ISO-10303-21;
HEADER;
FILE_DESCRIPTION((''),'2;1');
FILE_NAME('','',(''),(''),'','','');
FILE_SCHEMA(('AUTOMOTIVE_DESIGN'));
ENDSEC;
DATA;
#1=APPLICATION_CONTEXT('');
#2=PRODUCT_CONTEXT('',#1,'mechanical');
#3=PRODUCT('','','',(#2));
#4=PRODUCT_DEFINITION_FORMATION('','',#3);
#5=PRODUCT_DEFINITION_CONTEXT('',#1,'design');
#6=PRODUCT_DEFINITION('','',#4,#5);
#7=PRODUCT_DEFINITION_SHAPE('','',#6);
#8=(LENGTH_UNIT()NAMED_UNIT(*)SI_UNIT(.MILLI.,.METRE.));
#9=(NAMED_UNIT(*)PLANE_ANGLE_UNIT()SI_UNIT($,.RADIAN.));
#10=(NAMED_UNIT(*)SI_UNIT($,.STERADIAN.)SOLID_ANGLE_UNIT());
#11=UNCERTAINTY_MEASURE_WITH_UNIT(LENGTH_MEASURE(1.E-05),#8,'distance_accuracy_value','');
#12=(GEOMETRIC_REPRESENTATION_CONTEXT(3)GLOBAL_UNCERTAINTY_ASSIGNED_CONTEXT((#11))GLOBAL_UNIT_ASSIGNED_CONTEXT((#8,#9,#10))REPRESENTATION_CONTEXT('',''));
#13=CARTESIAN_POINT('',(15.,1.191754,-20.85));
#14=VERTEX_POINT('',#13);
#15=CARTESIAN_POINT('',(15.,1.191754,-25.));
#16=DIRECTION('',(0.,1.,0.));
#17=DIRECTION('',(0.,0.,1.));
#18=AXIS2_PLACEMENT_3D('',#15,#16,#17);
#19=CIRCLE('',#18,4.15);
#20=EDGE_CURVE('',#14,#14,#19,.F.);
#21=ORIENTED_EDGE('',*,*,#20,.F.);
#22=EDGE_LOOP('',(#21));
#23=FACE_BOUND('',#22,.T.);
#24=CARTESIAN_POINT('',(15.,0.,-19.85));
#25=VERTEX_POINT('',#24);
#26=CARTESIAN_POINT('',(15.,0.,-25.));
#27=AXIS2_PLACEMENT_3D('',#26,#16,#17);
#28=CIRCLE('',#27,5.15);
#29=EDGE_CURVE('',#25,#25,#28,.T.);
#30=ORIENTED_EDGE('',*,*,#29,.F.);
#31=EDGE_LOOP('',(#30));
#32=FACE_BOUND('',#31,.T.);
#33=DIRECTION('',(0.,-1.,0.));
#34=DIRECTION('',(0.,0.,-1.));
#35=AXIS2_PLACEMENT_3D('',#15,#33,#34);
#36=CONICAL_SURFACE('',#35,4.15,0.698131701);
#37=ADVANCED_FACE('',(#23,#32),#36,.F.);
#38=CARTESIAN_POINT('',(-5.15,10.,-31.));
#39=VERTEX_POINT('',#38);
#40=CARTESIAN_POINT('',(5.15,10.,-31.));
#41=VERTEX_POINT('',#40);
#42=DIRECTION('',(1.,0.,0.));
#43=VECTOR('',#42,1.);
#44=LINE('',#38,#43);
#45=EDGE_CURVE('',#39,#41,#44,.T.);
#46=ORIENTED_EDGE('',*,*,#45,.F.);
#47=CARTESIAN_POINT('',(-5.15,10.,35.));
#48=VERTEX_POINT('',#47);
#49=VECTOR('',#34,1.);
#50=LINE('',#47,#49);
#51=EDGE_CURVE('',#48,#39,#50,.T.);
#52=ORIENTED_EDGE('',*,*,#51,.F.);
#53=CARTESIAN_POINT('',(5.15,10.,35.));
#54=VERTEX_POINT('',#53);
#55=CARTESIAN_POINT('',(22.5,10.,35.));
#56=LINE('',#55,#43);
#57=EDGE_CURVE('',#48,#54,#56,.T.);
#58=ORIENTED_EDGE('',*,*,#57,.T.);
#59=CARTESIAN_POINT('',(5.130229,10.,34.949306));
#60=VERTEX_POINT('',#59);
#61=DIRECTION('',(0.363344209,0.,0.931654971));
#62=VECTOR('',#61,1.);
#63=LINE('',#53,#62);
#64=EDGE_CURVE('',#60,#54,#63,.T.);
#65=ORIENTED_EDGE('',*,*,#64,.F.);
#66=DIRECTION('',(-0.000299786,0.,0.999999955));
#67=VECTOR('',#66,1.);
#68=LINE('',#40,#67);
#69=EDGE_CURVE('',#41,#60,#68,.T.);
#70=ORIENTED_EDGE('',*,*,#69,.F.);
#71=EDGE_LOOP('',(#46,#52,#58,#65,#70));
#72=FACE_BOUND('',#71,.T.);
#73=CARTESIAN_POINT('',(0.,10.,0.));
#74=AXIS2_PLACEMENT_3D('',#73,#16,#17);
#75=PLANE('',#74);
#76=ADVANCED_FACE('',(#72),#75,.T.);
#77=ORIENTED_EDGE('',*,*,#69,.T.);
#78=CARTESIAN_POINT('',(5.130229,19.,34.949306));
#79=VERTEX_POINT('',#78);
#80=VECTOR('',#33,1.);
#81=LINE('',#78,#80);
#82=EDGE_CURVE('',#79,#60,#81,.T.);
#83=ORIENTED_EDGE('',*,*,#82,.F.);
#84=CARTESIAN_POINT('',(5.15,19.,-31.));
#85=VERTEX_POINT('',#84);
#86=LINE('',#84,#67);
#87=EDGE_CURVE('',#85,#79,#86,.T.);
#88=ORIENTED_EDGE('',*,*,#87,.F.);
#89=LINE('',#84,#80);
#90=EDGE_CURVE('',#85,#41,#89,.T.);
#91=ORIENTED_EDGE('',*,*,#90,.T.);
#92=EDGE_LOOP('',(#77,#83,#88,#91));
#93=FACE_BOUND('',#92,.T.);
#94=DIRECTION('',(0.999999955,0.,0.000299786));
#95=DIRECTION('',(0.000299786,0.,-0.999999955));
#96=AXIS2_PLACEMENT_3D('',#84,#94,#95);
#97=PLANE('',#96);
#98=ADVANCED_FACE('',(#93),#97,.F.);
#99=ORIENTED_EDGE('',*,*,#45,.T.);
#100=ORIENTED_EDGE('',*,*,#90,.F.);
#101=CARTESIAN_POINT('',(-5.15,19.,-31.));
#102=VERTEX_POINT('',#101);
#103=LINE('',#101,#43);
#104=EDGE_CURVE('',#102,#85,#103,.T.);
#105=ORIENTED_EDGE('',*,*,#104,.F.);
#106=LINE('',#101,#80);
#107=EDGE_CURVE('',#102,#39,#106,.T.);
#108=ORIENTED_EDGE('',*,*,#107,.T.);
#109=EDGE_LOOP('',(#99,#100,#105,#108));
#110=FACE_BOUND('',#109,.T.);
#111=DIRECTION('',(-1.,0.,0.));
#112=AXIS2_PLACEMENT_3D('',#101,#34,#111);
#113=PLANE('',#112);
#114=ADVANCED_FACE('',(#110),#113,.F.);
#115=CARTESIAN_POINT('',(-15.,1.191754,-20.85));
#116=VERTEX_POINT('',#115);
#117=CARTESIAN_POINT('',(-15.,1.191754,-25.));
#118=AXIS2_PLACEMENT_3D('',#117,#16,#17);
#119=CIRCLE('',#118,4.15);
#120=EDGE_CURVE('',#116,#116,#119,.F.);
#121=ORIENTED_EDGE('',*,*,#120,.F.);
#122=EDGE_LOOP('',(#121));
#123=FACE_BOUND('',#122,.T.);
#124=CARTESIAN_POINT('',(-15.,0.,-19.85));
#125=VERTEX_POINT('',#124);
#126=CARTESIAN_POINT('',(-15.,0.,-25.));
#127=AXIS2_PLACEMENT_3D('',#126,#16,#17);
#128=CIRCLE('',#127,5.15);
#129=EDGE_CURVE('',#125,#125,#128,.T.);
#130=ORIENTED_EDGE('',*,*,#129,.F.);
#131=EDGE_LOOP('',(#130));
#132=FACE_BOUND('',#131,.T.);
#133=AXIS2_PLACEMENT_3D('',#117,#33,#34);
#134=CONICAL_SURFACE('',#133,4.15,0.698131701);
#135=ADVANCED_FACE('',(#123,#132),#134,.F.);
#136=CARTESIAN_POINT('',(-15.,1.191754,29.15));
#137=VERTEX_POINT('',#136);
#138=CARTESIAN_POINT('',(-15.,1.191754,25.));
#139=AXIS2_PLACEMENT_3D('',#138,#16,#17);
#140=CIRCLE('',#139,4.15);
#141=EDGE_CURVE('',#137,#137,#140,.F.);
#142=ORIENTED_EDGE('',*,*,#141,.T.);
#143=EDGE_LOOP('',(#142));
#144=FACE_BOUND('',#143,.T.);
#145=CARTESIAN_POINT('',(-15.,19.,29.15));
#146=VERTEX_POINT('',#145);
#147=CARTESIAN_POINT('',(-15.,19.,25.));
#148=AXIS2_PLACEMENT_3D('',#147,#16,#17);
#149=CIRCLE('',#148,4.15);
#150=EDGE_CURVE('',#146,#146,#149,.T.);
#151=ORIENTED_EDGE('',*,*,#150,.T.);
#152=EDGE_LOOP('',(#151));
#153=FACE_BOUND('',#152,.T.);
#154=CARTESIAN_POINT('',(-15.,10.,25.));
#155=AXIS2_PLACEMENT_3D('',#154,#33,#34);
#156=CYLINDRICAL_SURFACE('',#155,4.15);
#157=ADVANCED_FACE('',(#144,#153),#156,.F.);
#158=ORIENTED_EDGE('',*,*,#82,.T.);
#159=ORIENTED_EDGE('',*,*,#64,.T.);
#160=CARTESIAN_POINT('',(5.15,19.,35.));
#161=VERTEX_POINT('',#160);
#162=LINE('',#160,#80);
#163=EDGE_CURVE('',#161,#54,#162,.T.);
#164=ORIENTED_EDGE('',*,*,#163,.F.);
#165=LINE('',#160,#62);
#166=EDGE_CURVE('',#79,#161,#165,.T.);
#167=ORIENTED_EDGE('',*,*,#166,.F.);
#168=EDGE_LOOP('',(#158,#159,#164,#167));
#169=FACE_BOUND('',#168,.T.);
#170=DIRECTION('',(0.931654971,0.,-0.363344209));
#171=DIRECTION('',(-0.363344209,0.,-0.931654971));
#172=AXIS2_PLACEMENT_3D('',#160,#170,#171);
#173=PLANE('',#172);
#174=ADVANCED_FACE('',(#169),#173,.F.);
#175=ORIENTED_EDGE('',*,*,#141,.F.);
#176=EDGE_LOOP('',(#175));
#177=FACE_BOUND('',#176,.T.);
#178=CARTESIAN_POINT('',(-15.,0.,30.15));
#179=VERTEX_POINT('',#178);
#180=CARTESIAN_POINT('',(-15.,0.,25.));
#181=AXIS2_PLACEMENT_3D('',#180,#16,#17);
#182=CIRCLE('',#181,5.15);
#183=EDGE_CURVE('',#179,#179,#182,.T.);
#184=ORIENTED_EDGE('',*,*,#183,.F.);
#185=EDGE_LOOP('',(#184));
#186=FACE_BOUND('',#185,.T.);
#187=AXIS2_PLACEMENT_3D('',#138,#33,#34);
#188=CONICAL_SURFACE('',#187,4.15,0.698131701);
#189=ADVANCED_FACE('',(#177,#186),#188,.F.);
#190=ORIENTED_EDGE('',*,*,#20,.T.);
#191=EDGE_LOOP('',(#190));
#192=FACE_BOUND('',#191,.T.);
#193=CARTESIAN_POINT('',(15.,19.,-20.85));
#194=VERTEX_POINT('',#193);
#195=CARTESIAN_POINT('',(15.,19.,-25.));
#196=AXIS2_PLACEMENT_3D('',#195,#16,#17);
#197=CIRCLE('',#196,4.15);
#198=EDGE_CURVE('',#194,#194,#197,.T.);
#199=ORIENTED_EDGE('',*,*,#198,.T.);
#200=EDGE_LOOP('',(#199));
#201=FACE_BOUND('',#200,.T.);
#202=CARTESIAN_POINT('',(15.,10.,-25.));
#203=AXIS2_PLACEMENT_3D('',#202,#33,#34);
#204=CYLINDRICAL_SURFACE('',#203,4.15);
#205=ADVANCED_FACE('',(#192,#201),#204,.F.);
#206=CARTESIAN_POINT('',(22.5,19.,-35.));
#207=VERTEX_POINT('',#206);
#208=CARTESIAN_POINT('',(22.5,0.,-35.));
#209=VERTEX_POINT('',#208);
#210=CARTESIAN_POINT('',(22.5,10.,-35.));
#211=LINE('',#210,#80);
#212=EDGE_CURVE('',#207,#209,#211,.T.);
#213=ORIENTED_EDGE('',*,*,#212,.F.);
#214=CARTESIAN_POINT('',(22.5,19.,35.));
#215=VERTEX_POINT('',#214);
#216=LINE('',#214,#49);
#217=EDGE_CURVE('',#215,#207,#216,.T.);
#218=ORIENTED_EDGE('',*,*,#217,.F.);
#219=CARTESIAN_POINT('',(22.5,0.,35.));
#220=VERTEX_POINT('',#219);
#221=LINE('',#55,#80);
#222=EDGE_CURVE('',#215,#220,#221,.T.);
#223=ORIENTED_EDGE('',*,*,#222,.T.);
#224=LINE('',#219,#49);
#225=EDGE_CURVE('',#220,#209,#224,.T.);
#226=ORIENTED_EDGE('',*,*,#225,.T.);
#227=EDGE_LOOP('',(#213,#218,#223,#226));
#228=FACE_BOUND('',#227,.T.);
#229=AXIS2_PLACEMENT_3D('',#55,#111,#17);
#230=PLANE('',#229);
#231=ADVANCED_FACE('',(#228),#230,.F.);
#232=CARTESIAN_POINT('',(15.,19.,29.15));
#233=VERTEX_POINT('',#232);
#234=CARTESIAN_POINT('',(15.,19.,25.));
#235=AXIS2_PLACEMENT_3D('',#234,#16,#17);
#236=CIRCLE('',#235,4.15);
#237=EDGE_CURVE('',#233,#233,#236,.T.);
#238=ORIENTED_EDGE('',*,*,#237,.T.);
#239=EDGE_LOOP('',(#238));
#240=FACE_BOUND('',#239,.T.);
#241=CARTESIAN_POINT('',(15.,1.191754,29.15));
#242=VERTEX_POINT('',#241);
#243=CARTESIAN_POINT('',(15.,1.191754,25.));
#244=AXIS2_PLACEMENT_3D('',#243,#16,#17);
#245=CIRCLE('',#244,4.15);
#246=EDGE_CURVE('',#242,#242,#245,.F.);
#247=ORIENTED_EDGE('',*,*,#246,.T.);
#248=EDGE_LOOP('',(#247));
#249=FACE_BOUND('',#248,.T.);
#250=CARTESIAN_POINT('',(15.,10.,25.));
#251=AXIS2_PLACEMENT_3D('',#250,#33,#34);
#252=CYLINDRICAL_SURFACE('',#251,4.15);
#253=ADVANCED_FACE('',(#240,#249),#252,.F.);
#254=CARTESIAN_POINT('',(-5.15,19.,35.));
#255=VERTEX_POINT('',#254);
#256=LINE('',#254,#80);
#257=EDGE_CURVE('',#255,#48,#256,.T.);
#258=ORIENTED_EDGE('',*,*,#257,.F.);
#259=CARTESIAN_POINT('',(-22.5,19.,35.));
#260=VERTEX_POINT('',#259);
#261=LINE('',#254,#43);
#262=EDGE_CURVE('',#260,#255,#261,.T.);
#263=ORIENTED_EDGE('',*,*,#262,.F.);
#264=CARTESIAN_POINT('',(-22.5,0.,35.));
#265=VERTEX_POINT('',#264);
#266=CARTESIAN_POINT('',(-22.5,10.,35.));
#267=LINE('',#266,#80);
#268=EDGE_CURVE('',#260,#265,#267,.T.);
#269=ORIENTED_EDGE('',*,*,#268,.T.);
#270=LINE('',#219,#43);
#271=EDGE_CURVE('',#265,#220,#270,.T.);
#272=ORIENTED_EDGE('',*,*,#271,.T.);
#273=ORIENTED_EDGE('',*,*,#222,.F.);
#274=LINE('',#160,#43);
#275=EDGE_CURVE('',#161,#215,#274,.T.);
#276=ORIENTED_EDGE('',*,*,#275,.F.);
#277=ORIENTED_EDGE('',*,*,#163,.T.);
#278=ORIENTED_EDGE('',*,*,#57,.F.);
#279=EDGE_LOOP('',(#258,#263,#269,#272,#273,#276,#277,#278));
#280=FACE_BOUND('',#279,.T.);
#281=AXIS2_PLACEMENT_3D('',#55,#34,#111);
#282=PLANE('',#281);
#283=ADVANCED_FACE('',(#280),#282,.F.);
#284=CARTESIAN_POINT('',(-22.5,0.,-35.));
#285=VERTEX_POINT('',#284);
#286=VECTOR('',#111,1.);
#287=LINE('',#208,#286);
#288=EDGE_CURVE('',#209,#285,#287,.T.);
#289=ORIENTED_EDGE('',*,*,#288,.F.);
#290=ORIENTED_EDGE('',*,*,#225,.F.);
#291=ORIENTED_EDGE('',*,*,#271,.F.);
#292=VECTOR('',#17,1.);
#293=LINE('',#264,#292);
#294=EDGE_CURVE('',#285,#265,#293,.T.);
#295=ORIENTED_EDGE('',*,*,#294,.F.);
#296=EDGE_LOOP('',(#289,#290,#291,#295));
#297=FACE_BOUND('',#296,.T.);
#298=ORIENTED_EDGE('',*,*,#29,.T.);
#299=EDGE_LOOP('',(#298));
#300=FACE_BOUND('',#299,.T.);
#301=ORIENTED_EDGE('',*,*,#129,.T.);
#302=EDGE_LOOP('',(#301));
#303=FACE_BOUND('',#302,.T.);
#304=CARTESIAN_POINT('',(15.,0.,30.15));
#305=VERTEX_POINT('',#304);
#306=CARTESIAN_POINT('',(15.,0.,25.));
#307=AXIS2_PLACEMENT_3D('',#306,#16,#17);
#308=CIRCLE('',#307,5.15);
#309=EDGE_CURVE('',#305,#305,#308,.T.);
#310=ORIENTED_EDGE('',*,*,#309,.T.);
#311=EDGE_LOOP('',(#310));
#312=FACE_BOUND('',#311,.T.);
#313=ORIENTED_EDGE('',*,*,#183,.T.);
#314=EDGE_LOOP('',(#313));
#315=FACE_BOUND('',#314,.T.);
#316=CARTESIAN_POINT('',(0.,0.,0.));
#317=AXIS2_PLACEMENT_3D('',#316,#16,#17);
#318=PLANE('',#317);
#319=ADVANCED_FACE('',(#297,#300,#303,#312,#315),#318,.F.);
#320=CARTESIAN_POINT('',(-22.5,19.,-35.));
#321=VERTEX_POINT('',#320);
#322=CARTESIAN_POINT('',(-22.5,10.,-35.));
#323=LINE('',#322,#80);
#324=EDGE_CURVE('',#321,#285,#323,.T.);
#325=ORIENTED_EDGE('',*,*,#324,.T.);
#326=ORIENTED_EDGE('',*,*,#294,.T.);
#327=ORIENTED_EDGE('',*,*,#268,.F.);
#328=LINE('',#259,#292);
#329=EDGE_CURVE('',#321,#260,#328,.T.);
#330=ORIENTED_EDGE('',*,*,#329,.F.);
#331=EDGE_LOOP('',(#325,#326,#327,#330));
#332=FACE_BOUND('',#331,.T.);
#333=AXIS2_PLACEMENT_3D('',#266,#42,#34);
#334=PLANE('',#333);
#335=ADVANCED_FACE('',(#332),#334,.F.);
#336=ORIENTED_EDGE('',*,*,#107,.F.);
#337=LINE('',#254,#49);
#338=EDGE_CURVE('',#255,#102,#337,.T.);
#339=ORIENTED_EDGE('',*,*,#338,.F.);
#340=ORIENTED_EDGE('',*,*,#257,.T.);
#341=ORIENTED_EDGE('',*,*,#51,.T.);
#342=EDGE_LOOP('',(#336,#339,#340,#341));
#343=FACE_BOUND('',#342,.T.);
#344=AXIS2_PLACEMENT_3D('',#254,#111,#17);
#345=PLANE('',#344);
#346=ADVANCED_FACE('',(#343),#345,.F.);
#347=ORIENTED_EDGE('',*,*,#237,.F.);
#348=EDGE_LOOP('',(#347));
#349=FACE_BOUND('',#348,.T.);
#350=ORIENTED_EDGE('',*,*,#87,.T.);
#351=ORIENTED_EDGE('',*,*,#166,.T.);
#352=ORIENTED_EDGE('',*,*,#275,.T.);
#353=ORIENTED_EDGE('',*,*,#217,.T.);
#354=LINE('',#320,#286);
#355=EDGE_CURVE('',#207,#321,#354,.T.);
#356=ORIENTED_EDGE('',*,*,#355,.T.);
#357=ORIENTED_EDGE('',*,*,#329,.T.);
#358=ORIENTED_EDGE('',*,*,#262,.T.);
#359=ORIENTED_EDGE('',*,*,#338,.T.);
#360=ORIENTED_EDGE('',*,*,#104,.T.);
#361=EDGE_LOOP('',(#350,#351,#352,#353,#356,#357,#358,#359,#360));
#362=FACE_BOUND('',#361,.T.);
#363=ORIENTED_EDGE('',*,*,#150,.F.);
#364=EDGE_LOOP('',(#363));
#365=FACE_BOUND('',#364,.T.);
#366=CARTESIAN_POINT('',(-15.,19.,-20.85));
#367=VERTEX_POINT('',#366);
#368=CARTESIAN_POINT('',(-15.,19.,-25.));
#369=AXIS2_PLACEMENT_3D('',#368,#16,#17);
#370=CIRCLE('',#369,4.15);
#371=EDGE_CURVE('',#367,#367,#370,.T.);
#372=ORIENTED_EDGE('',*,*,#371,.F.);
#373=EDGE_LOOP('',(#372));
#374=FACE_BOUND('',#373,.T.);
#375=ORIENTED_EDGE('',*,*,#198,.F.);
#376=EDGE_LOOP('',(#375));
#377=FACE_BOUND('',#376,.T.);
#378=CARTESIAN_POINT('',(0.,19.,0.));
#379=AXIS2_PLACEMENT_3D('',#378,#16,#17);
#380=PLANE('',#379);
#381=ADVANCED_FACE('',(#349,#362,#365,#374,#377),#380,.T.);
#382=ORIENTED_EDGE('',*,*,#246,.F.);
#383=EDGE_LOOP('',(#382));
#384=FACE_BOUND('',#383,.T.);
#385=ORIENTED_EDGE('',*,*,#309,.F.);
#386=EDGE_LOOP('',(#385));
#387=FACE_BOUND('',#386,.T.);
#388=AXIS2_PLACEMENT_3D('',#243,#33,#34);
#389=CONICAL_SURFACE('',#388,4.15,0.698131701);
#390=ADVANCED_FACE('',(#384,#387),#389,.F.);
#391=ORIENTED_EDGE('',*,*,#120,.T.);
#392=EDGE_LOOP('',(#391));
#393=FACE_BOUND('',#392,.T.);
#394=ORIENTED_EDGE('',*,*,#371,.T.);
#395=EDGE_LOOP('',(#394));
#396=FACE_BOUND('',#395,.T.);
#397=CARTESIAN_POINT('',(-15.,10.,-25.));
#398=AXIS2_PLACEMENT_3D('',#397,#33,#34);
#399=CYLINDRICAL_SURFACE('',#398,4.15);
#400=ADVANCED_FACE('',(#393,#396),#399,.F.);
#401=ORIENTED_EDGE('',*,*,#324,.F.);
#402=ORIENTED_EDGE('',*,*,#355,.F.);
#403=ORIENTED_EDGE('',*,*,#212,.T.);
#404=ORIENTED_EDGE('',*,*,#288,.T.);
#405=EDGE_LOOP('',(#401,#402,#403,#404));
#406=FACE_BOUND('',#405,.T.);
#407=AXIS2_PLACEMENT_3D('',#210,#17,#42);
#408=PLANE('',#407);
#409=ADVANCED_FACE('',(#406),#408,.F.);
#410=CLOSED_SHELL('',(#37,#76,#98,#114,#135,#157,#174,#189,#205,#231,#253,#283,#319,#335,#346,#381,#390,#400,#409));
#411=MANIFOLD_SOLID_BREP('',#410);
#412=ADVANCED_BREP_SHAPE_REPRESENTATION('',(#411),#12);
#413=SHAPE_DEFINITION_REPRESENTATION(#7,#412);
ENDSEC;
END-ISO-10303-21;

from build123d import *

# Parameters (mm, degrees)
SKETCH1_W           = 45
SKETCH1_H           = 70
BOSS_EXTRUDE1_DEPTH = 10
SKETCH3_R           = 4.15
CUT_EXTRUDE2_DEPTH  = 11
SKETCH5_R           = 4.15
BOSS_EXTRUDE2_DEPTH = 9
CHAMFER1_SIZE       = 1
CHAMFER1_SIZE2      = 1.191753593


with BuildPart() as part:
    # Sketch1 → Boss-Extrude1 (new body)
    with BuildSketch(Plane(origin=(0, 0, 0), x_dir=(1, 0, 0), z_dir=(0, 1, 0))):
        Rectangle(SKETCH1_W, SKETCH1_H)
    extrude(amount=BOSS_EXTRUDE1_DEPTH)

    # Sketch3 → Cut-Extrude2 (cut, through all)
    with BuildSketch(Plane.XZ):
        with Locations((15, 25)):
            Circle(SKETCH3_R)
        with Locations((15, -25)):
            Circle(SKETCH3_R)
        with Locations((-15, -25)):
            Circle(SKETCH3_R)
        with Locations((-15, 25)):
            Circle(SKETCH3_R)
    extrude(amount=-CUT_EXTRUDE2_DEPTH, mode=Mode.SUBTRACT)

    # Sketch5 → Boss-Extrude2 (add)
    with BuildSketch(Plane(origin=(0, 10, 0), x_dir=(1, 0, 0), z_dir=(0, 1, 0))):
        Polygon((-5.15, -35), (-22.5, -35), (-22.5, 35), (22.5, 35), (22.5, -35), (5.15, -35), (5.130229348, -34.949305848), (5.15, 31), (-5.15, 31), align=None)
        with Locations((-15, 25)):
            Circle(SKETCH5_R, mode=Mode.SUBTRACT)
        with Locations((15, 25)):
            Circle(SKETCH5_R, mode=Mode.SUBTRACT)
        with Locations((15, -25)):
            Circle(SKETCH5_R, mode=Mode.SUBTRACT)
        with Locations((-15, -25)):
            Circle(SKETCH5_R, mode=Mode.SUBTRACT)
    extrude(amount=BOSS_EXTRUDE2_DEPTH)

    # Chamfer1
    chamfer1_edges = [part.edges().sort_by_distance(p)[0] for p in [
        (-19.15, 0, -25),
        (-19.15, 0, 25),
        (10.85, 0, 25),
        (10.85, 0, -25),
    ]]
    chamfer1_side = [part.faces().sort_by_distance(p)[0] for p in [
        (0, 0, 0),
    ]]
    chamfer(chamfer1_edges, length=CHAMFER1_SIZE, length2=CHAMFER1_SIZE2, reference=chamfer1_side[0])


solid = part.part
